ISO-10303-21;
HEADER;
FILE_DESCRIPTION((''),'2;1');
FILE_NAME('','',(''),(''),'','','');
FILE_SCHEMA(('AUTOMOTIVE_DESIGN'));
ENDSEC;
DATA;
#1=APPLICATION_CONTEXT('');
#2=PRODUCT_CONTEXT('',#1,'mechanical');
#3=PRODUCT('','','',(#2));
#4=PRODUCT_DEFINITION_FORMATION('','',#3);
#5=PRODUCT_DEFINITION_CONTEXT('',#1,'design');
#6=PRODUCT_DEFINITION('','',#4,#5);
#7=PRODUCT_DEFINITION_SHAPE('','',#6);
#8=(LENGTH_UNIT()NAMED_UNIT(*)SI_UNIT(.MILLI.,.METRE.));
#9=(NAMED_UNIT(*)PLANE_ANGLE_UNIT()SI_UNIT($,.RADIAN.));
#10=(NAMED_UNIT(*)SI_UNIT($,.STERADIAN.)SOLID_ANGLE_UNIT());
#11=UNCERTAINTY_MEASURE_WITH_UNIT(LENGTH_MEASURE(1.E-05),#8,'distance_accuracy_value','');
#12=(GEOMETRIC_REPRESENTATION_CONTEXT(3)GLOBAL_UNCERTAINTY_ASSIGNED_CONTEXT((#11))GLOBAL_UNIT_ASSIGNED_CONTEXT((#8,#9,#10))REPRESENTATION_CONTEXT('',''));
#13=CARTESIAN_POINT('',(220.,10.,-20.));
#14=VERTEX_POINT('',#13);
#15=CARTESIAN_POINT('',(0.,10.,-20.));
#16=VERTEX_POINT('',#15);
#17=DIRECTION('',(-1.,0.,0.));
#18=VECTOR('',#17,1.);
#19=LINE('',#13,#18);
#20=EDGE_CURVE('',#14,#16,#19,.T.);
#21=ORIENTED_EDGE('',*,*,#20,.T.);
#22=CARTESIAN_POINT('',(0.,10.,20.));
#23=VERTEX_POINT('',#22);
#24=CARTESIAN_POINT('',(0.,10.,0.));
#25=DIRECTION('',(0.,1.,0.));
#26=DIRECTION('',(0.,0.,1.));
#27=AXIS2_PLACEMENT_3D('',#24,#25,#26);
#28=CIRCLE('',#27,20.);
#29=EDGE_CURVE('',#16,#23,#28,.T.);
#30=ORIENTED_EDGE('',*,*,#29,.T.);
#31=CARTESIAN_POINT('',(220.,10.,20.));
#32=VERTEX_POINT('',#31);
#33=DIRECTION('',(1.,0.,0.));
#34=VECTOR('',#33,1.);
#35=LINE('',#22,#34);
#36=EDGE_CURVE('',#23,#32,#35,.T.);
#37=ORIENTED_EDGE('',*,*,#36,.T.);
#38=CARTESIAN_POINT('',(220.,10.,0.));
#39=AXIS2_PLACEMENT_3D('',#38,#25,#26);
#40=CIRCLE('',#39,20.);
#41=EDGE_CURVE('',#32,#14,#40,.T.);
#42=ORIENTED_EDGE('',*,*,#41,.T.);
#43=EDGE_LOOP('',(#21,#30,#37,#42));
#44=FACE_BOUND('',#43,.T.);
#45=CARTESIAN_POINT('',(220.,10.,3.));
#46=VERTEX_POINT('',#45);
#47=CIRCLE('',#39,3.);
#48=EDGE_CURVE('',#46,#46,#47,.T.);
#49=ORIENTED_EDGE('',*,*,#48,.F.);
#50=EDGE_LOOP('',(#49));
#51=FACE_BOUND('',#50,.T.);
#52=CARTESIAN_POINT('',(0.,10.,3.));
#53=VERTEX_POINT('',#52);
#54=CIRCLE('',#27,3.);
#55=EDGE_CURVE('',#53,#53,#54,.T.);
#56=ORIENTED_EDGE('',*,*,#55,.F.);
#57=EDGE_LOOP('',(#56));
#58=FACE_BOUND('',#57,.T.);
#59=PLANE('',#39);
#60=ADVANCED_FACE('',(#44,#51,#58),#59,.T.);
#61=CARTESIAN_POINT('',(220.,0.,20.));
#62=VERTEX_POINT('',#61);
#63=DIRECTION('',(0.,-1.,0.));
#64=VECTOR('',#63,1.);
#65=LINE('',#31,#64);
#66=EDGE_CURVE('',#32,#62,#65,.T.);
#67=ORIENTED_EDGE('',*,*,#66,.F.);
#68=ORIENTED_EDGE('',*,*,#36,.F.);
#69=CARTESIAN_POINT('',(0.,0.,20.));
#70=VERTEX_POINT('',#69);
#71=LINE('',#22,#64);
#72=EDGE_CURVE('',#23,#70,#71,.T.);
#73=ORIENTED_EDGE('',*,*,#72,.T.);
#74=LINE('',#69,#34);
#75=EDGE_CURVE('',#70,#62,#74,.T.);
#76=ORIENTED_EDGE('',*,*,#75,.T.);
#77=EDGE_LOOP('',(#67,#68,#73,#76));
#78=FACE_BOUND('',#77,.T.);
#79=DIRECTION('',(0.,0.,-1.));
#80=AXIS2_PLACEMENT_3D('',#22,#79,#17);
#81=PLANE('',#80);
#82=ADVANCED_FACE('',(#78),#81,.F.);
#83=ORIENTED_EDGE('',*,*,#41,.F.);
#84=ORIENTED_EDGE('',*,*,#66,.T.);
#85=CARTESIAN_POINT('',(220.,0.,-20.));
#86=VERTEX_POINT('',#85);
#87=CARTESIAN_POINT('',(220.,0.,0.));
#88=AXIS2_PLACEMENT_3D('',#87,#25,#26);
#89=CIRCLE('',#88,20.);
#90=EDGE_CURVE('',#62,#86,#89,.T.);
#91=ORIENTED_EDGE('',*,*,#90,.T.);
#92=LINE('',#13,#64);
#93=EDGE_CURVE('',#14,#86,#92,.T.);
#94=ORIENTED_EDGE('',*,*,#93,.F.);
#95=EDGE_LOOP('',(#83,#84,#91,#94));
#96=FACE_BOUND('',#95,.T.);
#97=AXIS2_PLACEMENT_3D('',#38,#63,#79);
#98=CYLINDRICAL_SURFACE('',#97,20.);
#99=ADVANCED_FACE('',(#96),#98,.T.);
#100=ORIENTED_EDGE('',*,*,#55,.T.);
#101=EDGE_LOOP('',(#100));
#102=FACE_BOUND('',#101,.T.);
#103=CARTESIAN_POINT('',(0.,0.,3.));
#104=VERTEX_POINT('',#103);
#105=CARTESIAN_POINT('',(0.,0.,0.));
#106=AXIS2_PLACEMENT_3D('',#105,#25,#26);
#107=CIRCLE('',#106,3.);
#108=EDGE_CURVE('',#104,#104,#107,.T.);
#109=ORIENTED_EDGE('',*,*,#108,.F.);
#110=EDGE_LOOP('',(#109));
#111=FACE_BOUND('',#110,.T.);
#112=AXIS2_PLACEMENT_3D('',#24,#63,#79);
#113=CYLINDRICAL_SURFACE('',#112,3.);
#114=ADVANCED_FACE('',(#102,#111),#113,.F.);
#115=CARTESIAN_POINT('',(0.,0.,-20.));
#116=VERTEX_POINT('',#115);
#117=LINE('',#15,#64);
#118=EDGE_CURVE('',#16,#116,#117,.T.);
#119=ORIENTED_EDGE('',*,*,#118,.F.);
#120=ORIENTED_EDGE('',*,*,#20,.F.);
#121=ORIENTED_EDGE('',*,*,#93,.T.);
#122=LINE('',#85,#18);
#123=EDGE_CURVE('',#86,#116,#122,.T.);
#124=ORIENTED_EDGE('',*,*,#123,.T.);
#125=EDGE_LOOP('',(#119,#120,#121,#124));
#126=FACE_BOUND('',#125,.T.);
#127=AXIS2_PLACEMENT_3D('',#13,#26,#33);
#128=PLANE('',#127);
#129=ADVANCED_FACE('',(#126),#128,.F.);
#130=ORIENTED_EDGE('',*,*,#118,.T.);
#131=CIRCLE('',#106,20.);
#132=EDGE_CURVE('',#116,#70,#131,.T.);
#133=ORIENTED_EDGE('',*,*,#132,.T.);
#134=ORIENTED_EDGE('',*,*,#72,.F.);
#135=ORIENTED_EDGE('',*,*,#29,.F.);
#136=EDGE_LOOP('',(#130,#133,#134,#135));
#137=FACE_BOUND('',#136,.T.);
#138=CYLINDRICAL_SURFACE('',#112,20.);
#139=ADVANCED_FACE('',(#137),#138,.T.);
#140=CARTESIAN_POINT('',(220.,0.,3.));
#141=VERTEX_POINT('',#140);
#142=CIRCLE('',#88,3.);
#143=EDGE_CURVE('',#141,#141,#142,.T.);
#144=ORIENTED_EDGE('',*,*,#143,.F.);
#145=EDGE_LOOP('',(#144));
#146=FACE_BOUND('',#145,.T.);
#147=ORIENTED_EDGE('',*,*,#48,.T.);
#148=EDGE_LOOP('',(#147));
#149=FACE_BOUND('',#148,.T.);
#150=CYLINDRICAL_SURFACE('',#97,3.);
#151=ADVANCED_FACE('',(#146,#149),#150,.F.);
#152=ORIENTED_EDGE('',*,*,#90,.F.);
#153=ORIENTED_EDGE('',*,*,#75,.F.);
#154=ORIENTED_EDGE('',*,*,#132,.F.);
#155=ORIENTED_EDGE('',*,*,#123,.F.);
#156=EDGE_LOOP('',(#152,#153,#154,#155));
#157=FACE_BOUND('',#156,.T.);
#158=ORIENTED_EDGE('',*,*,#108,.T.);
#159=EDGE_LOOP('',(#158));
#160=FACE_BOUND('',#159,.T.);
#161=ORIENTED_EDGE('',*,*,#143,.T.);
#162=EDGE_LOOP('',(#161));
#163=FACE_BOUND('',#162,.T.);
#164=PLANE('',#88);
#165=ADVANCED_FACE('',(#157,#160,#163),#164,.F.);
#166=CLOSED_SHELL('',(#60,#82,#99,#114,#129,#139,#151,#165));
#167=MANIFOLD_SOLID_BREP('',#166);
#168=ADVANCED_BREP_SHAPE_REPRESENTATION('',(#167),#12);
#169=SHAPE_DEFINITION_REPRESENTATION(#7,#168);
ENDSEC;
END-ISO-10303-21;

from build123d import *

# Parameters (mm, degrees)
SKETCH1_R           = 3
BOSS_EXTRUDE1_DEPTH = 10


with BuildPart() as part:
    # Sketch1 → Boss-Extrude1 (new body)
    with BuildSketch(Plane(origin=(0, 0, 0), x_dir=(1, 0, 0), z_dir=(0, 1, 0))):
        with BuildLine():
            Line((220, 20), (0, 20))
            ThreePointArc((0, 20), (-20, 0), (0, -20))
            Line((0, -20), (220, -20))
            ThreePointArc((220, -20), (240, 0), (220, 20))
        make_face()
        Circle(SKETCH1_R, mode=Mode.SUBTRACT)
        with Locations((220, 0)):
            Circle(SKETCH1_R, mode=Mode.SUBTRACT)
    extrude(amount=BOSS_EXTRUDE1_DEPTH)


solid = part.part
